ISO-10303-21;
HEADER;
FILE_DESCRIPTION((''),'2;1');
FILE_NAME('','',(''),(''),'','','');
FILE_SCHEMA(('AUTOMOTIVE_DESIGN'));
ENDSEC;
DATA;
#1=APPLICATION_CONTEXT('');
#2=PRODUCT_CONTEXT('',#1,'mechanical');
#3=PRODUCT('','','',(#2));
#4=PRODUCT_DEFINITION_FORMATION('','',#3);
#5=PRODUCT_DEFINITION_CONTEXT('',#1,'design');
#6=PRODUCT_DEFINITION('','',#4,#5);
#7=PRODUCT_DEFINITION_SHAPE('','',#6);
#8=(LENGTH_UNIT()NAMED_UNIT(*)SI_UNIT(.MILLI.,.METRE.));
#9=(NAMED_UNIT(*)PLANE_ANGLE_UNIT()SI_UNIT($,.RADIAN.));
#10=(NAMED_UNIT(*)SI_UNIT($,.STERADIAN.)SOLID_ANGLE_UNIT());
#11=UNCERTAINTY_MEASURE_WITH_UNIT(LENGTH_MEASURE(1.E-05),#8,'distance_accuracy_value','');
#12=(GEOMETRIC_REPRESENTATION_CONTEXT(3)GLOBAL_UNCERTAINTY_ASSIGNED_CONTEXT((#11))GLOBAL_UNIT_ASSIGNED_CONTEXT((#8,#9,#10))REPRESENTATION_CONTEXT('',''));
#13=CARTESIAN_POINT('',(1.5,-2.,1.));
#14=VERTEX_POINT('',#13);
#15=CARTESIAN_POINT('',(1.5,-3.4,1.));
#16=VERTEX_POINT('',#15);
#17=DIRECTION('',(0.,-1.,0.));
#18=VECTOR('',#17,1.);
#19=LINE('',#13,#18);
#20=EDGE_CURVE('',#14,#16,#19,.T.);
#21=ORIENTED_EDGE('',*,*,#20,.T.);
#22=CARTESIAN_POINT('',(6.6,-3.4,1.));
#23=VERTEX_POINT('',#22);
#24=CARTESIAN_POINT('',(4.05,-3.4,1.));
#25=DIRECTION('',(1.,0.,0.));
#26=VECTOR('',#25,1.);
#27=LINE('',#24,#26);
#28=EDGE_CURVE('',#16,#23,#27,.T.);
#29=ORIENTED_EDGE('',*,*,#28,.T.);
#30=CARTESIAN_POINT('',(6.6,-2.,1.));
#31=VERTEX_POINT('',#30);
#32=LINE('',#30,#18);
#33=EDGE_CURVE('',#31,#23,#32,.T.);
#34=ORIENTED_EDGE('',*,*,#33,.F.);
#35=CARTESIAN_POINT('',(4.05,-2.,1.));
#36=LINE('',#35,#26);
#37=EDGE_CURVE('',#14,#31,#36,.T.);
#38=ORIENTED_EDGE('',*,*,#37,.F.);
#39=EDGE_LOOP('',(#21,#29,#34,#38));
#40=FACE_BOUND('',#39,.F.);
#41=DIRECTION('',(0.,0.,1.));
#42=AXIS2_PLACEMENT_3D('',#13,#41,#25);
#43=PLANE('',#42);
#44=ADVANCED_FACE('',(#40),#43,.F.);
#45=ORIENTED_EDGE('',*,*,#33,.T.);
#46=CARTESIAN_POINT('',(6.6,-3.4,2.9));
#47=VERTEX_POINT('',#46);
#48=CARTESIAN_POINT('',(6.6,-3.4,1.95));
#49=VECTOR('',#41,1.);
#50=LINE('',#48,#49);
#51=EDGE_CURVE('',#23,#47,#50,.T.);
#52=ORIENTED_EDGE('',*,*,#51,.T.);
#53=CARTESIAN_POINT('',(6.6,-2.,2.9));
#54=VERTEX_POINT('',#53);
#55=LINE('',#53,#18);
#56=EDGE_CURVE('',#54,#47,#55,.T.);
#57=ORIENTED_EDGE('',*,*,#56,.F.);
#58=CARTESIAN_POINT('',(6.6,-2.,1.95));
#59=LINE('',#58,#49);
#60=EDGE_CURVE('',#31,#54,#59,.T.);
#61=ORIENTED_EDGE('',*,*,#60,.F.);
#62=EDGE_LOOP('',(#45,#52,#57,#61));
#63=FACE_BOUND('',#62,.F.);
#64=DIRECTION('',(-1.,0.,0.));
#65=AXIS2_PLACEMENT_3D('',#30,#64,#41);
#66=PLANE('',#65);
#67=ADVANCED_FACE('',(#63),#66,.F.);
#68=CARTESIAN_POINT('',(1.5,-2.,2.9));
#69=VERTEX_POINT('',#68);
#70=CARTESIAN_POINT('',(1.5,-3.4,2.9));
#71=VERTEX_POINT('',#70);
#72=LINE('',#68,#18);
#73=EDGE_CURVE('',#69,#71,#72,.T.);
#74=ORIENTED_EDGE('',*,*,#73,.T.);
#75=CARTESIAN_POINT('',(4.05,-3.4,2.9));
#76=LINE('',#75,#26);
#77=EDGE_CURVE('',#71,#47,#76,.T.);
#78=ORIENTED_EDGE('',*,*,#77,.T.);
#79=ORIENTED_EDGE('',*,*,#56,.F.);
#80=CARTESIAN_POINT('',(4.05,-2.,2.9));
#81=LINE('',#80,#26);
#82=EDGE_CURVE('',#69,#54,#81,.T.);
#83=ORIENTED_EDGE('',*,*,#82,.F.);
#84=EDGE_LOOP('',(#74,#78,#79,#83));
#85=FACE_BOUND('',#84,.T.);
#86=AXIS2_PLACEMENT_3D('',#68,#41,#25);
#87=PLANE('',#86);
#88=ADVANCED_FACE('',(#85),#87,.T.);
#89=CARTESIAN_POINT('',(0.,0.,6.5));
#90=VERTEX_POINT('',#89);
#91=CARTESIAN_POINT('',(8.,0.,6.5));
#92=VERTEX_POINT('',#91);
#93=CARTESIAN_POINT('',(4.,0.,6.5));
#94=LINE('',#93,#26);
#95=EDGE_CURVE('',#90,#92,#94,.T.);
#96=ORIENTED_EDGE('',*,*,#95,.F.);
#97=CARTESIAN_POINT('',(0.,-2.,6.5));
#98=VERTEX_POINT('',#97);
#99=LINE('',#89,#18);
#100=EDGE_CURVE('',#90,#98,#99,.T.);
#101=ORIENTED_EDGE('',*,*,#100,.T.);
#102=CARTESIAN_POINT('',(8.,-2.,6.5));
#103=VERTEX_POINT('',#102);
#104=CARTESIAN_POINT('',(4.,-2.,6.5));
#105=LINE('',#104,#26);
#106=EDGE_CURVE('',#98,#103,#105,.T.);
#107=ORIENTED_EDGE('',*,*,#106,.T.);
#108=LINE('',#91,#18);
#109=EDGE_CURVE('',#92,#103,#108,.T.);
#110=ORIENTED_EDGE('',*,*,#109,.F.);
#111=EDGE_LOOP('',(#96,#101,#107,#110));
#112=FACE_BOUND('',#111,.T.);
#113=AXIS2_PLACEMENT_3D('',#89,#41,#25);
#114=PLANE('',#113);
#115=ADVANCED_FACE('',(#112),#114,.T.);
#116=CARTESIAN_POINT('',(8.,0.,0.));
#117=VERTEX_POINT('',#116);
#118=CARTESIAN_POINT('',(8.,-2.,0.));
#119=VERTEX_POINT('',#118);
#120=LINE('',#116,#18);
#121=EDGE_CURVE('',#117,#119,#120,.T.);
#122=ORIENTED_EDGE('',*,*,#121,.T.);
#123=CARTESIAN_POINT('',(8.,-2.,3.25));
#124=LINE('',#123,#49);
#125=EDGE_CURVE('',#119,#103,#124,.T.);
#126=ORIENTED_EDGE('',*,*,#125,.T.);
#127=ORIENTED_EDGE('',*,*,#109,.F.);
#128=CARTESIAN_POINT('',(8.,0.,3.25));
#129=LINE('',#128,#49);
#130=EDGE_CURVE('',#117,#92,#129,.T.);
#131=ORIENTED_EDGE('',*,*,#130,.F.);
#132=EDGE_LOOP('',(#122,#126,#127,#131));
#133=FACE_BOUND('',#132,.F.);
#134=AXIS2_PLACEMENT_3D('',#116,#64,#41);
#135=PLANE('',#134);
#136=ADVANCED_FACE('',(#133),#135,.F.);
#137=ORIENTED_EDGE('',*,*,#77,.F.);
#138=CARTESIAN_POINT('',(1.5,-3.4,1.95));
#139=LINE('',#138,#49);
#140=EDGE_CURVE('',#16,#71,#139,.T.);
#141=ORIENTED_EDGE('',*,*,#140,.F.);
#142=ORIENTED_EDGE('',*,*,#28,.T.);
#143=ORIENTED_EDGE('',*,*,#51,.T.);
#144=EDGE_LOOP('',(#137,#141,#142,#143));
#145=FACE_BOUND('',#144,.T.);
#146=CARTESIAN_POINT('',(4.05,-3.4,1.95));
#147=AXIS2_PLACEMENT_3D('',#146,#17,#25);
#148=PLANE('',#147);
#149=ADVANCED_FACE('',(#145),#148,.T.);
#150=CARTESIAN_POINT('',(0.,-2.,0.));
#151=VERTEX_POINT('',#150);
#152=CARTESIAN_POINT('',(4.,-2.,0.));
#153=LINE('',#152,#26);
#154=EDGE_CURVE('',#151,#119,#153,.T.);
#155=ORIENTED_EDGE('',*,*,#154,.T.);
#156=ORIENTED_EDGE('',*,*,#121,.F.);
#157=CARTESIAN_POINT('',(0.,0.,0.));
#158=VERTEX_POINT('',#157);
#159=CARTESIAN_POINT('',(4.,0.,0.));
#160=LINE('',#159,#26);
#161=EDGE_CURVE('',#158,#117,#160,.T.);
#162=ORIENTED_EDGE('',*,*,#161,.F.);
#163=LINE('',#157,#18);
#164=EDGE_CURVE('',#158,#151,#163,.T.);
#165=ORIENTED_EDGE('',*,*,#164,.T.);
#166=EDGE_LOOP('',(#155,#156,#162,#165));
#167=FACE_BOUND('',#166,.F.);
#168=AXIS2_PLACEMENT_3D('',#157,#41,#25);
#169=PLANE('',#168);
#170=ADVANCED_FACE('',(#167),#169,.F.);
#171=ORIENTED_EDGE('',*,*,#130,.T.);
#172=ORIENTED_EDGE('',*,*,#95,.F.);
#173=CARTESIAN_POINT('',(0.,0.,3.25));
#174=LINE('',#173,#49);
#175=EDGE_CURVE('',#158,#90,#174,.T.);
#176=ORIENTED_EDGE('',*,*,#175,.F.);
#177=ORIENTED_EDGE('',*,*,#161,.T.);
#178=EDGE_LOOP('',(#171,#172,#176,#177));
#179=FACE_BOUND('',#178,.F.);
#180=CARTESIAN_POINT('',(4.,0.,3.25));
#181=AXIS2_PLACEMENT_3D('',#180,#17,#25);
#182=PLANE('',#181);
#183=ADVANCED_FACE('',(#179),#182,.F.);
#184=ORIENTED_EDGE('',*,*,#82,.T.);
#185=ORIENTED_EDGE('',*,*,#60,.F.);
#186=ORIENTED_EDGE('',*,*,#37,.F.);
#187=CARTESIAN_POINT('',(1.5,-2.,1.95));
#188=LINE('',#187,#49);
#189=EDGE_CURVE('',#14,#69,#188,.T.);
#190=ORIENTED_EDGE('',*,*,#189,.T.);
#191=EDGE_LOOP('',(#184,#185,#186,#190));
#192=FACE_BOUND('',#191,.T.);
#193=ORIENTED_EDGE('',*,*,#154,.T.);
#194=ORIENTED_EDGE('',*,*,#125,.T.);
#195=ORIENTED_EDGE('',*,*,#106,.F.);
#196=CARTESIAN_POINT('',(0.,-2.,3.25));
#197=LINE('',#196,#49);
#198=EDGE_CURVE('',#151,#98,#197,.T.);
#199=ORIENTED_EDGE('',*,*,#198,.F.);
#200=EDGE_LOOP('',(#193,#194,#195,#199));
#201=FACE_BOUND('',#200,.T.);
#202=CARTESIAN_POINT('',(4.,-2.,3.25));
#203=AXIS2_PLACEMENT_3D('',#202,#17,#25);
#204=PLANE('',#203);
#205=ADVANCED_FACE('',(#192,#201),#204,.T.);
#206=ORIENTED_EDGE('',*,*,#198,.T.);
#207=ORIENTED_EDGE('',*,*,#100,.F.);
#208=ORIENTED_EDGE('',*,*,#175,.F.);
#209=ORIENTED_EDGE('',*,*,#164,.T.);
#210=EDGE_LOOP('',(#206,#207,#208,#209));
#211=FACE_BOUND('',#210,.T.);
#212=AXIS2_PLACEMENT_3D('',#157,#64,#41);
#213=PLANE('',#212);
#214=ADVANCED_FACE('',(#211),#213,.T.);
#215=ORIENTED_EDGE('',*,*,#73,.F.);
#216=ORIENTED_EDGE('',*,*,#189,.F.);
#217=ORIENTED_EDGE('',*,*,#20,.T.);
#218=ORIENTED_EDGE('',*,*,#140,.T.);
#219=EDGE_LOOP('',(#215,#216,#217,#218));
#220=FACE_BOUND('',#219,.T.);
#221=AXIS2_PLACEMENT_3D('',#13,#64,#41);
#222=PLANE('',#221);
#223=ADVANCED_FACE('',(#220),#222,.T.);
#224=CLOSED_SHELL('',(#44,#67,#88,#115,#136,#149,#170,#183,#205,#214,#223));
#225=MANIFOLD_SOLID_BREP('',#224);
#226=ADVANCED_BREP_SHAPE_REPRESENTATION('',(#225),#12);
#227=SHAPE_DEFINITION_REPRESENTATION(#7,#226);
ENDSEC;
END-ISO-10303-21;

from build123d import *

# Parameters (mm, degrees)
SKETCH_W     = 8
SKETCH_H     = 6.5
PAD_DEPTH    = 2
SKETCH001_W  = 5.1
SKETCH001_H  = 1.9
PAD001_DEPTH = 1.4


with BuildPart() as part:
    # Sketch → Pad (new body)
    with BuildSketch(Plane.XZ):
        with Locations((4, 3.25)):
            Rectangle(SKETCH_W, SKETCH_H)
    extrude(amount=PAD_DEPTH)

    # Sketch001 (on Face6 of Pad) → Pad001 (join)
    with BuildSketch(Plane.XZ.offset(2)):
        with Locations((4.05, 1.95)):
            Rectangle(SKETCH001_W, SKETCH001_H)
    extrude(amount=PAD001_DEPTH)


solid = part.part
